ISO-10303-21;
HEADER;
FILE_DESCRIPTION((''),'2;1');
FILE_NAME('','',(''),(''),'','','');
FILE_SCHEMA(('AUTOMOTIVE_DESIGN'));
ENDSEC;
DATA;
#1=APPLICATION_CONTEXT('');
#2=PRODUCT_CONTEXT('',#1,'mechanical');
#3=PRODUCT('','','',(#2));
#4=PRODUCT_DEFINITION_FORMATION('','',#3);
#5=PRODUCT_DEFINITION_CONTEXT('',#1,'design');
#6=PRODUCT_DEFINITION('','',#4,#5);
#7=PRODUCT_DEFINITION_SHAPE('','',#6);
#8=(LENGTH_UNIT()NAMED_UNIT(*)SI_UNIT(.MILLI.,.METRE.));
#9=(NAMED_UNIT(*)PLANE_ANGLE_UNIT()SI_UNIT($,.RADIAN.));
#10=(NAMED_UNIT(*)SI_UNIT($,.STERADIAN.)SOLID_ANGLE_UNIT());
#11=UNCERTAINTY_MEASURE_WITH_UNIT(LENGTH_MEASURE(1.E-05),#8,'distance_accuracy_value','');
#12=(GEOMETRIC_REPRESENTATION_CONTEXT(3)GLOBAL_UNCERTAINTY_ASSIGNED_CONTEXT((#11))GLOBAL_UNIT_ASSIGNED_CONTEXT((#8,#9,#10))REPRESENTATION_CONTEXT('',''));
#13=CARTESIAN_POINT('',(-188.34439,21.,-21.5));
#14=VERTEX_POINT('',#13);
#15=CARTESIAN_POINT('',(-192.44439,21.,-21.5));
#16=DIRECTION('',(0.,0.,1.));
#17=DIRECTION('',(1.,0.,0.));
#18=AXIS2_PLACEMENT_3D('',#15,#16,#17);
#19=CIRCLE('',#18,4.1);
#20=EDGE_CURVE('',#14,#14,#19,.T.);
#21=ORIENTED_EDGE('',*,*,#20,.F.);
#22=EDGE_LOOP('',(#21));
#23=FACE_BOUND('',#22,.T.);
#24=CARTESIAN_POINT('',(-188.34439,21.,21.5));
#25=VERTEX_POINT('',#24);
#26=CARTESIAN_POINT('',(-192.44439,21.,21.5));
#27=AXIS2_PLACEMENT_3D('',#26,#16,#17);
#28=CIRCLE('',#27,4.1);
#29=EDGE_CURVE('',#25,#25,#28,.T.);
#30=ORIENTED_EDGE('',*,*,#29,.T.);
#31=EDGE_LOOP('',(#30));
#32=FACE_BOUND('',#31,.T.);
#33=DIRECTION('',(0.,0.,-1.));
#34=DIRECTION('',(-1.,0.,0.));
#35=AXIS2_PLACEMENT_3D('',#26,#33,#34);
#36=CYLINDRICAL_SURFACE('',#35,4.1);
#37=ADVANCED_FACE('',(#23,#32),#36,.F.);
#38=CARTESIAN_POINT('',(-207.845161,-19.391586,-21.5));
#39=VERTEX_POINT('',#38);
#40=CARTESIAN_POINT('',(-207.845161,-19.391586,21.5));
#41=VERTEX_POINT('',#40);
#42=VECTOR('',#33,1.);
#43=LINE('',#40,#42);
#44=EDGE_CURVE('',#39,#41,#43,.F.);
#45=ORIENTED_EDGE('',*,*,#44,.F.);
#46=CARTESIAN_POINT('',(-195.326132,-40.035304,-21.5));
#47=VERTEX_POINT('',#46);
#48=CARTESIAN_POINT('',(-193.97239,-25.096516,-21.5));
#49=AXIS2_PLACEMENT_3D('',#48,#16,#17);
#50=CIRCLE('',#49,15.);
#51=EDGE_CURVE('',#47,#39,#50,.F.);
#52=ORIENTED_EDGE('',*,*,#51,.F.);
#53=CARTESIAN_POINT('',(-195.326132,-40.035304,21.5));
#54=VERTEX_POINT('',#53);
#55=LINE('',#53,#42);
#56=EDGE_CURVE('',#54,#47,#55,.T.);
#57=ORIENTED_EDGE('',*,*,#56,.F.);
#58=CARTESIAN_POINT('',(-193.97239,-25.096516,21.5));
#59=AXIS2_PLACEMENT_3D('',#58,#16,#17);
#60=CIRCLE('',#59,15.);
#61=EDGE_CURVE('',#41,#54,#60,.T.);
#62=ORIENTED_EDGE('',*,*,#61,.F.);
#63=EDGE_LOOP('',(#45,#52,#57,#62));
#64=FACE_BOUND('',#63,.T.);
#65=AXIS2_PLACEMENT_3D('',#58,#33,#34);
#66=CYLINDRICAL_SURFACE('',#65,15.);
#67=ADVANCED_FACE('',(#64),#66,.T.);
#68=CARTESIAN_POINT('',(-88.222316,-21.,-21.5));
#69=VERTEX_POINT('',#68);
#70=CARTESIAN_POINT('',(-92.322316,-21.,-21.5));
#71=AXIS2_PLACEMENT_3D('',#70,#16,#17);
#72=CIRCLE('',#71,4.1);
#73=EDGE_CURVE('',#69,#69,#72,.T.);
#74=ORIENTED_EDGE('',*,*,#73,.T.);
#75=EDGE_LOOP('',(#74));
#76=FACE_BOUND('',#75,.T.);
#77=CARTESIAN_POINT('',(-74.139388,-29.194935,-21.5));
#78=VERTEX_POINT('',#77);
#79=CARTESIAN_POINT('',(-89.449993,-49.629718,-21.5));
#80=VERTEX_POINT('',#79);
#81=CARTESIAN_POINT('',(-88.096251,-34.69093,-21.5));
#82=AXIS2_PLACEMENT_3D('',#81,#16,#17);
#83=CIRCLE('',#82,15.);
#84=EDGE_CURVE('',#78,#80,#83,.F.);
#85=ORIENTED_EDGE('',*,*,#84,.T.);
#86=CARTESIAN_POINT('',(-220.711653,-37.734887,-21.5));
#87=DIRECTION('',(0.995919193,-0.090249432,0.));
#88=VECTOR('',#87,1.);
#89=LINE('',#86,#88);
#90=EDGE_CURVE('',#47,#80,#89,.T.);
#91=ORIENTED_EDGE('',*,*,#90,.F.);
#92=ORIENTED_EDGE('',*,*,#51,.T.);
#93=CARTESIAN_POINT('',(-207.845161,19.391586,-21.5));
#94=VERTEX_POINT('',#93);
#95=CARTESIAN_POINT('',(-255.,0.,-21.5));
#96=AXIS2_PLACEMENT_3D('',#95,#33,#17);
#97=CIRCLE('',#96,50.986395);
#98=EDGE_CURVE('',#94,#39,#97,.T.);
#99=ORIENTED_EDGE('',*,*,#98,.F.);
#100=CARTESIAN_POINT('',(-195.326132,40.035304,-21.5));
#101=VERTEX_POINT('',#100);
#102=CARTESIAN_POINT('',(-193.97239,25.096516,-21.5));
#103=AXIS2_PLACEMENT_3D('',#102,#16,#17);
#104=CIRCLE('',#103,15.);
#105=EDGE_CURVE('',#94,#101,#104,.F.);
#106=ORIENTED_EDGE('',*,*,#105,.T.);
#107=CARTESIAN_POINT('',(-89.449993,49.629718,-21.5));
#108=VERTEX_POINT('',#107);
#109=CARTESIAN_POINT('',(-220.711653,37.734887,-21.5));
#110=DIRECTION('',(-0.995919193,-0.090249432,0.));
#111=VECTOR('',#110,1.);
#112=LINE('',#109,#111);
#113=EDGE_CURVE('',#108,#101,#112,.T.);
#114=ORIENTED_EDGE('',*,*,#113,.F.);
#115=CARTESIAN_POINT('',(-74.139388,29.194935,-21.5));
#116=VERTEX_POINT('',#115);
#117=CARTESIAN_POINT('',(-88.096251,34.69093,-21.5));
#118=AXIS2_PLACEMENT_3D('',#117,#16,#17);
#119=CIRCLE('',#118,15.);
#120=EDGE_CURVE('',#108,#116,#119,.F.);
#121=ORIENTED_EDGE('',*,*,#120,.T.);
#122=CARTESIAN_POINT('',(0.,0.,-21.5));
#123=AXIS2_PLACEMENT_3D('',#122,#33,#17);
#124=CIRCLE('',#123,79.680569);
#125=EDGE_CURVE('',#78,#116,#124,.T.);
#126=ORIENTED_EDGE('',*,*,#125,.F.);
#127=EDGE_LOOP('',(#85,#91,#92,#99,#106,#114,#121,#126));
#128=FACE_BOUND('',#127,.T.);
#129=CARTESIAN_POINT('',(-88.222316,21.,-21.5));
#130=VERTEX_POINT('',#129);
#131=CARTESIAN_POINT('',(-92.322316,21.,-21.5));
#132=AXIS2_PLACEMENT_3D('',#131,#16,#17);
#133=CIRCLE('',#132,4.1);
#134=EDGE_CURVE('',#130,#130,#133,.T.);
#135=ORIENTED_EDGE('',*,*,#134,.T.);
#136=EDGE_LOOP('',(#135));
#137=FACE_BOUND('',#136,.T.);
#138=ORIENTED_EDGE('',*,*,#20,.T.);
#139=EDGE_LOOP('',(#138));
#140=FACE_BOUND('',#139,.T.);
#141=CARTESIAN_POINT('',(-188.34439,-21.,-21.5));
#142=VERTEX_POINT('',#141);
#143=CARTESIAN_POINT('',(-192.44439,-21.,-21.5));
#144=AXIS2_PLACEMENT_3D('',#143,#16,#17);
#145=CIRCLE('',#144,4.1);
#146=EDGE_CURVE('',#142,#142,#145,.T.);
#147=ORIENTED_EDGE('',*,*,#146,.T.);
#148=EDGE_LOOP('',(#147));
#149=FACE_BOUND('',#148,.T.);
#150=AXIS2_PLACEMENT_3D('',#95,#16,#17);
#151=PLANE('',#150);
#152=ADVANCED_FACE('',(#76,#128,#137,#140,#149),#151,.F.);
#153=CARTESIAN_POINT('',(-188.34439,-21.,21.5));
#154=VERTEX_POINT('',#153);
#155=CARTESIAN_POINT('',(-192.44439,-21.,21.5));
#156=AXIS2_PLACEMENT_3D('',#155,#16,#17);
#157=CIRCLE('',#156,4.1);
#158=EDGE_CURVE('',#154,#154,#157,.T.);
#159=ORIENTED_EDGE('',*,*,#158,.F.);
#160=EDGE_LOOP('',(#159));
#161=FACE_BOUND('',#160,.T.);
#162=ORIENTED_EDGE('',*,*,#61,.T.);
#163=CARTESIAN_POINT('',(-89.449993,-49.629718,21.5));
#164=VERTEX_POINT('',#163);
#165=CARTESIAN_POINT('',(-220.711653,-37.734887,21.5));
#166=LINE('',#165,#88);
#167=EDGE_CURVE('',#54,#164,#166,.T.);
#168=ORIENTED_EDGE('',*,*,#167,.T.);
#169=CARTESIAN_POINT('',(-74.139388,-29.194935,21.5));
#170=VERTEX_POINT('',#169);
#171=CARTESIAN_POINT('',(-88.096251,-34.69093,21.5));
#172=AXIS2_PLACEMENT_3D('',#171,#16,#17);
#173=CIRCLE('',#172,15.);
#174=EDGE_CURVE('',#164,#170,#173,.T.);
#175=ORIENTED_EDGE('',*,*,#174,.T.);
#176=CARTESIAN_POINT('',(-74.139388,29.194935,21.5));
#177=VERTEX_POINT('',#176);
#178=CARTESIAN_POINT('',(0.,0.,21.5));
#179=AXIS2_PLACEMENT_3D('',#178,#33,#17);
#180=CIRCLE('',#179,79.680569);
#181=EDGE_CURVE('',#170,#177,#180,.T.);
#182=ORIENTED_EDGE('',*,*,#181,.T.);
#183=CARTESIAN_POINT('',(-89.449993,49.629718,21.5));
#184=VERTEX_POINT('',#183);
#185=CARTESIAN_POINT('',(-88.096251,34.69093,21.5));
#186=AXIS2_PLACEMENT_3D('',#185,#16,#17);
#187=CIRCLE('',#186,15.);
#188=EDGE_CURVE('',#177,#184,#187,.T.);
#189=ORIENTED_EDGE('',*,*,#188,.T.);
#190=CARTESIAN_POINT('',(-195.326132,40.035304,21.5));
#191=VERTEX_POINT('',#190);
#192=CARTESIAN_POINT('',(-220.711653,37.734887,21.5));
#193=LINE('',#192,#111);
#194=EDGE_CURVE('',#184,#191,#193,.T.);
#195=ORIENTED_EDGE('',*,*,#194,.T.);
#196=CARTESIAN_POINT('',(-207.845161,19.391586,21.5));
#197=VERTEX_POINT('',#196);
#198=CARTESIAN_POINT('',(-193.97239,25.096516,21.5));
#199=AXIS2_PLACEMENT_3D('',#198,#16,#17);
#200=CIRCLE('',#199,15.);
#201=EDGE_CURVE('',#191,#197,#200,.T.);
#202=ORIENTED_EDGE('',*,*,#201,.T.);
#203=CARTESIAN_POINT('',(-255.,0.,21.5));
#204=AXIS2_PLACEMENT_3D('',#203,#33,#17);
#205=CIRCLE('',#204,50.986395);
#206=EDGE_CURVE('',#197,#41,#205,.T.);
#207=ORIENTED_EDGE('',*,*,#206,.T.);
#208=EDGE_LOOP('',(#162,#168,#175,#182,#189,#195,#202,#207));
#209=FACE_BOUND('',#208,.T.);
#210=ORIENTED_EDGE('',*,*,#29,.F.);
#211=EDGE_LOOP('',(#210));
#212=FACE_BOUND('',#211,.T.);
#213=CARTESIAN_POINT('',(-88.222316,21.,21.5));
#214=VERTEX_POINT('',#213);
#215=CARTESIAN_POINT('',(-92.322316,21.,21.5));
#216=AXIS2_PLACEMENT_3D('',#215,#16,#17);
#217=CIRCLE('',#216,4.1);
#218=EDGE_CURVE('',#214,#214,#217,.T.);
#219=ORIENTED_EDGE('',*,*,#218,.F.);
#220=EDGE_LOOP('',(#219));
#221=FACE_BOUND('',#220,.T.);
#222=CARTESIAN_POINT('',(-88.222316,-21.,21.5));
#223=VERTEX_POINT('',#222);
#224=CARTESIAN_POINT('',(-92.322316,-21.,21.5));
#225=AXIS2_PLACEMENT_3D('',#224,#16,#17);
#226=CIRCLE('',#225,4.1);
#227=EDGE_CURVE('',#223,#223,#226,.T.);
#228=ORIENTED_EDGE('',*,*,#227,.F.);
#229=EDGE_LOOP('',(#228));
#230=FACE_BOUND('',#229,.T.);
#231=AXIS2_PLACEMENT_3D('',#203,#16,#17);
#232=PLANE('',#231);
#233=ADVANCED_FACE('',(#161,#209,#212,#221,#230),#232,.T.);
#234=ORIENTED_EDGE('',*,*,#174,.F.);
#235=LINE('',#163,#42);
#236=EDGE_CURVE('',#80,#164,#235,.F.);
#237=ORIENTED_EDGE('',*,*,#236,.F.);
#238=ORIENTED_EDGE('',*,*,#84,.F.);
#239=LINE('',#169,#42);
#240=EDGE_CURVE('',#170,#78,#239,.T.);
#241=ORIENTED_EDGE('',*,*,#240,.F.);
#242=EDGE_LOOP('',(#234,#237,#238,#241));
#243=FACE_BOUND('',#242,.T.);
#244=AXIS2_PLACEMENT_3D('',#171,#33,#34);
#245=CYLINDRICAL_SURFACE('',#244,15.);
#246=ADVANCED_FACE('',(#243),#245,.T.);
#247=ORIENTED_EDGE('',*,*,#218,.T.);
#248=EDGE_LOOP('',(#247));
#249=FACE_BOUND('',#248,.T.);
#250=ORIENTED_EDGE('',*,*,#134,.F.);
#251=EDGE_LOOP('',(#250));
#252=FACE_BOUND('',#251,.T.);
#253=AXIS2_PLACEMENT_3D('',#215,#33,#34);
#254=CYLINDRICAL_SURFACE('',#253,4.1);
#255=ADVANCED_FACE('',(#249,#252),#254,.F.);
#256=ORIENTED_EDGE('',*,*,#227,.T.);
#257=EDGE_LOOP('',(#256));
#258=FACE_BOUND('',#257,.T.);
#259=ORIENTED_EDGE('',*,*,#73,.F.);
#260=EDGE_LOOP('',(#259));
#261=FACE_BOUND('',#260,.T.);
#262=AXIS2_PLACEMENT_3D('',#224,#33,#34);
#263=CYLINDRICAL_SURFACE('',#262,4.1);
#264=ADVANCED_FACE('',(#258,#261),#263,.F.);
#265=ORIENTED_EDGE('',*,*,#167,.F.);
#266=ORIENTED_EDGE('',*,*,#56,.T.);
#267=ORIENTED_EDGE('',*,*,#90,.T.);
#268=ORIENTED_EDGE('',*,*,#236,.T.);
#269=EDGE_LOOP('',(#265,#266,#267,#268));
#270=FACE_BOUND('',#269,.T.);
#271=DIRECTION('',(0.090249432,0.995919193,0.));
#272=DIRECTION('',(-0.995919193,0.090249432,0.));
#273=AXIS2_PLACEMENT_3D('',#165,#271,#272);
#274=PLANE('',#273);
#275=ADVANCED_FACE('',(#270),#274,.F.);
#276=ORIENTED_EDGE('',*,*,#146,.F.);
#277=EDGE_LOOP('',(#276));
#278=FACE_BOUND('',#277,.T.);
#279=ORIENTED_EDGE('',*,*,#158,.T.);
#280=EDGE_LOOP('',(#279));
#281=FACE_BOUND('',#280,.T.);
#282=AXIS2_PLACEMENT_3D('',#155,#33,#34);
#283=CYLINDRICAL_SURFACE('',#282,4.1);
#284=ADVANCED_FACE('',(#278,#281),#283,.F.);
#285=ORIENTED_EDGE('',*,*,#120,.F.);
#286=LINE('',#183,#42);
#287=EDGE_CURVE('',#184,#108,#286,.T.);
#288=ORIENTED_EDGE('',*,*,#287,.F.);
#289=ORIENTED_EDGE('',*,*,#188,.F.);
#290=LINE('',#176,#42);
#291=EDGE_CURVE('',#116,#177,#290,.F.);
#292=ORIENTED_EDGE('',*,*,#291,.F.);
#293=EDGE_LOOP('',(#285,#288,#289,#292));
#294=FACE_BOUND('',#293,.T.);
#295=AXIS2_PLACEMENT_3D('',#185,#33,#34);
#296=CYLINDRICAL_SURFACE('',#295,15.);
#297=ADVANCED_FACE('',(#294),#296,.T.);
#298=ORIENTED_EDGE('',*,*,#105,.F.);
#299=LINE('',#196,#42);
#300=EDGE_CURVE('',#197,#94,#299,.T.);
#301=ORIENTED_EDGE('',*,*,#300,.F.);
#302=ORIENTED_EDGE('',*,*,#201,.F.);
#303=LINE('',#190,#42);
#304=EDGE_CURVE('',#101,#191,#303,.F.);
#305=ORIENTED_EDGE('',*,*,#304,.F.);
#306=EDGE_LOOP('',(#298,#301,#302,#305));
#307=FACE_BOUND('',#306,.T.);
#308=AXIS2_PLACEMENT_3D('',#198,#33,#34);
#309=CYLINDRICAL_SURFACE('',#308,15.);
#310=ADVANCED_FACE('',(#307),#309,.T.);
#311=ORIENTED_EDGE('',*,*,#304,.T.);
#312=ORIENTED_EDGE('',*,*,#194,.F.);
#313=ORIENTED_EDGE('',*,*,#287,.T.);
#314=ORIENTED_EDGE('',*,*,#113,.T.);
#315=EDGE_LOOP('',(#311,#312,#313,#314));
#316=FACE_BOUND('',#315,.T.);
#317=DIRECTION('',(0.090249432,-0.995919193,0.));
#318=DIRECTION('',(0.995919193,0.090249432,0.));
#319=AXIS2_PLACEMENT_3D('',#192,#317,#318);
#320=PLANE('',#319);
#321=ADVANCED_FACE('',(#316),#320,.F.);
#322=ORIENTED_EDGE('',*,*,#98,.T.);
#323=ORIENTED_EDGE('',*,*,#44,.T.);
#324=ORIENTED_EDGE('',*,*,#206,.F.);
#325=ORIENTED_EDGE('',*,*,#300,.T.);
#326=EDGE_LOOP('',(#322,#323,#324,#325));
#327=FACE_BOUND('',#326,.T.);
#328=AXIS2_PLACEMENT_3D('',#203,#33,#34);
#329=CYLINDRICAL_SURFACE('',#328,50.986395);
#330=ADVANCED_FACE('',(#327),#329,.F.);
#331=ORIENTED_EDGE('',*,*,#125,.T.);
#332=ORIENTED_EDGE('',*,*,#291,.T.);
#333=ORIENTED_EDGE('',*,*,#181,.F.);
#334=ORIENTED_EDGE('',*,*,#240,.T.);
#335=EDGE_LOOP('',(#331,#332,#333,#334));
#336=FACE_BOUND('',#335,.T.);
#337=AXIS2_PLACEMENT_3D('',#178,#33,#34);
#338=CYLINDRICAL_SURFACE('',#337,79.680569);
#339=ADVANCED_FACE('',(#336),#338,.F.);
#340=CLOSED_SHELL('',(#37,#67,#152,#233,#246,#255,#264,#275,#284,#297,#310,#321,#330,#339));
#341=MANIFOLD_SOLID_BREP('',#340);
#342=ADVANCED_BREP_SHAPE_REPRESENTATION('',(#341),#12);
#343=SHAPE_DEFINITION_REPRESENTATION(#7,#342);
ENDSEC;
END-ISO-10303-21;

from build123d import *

# Parameters (mm, degrees)
SKETCH_1_R      = 4.1
EXTRUDE_1_DEPTH = 21.5
FILLET_1_R      = 15


with BuildPart() as part:
    # Sketch 1 → Extrude 1 (new, symmetric)
    with BuildSketch(Plane.XY):
        with BuildLine():
            Line((-220.71165321, 37.734887356), (-60.125305402, 52.28709885))
            ThreePointArc((-60.125305402, 52.28709885), (-79.680568873, 0), (-60.125305402, -52.28709885))
            Line((-60.125305402, -52.28709885), (-220.71165321, -37.734887356))
            ThreePointArc((-220.71165321, -37.734887356), (-204.013605252, 0), (-220.71165321, 37.734887356))
        make_face()
        with Locations((-192.444390405, 21)):
            Circle(SKETCH_1_R, mode=Mode.SUBTRACT)
        with Locations((-192.444390405, -21)):
            Circle(SKETCH_1_R, mode=Mode.SUBTRACT)
        with Locations((-92.32231649, -21)):
            Circle(SKETCH_1_R, mode=Mode.SUBTRACT)
        with Locations((-92.32231649, 21)):
            Circle(SKETCH_1_R, mode=Mode.SUBTRACT)
    extrude(amount=EXTRUDE_1_DEPTH, both=True)

    # Fillet 1
    fillet_1_edges = [part.edges().sort_by_distance(p)[0] for p in [
        (-220.71165321, 37.734887356, 0),
        (-60.125305402, 52.28709885, 0),
        (-60.125305402, -52.28709885, 0),
        (-220.71165321, -37.734887356, 0),
    ]]
    fillet(fillet_1_edges, radius=FILLET_1_R)


solid = part.part
